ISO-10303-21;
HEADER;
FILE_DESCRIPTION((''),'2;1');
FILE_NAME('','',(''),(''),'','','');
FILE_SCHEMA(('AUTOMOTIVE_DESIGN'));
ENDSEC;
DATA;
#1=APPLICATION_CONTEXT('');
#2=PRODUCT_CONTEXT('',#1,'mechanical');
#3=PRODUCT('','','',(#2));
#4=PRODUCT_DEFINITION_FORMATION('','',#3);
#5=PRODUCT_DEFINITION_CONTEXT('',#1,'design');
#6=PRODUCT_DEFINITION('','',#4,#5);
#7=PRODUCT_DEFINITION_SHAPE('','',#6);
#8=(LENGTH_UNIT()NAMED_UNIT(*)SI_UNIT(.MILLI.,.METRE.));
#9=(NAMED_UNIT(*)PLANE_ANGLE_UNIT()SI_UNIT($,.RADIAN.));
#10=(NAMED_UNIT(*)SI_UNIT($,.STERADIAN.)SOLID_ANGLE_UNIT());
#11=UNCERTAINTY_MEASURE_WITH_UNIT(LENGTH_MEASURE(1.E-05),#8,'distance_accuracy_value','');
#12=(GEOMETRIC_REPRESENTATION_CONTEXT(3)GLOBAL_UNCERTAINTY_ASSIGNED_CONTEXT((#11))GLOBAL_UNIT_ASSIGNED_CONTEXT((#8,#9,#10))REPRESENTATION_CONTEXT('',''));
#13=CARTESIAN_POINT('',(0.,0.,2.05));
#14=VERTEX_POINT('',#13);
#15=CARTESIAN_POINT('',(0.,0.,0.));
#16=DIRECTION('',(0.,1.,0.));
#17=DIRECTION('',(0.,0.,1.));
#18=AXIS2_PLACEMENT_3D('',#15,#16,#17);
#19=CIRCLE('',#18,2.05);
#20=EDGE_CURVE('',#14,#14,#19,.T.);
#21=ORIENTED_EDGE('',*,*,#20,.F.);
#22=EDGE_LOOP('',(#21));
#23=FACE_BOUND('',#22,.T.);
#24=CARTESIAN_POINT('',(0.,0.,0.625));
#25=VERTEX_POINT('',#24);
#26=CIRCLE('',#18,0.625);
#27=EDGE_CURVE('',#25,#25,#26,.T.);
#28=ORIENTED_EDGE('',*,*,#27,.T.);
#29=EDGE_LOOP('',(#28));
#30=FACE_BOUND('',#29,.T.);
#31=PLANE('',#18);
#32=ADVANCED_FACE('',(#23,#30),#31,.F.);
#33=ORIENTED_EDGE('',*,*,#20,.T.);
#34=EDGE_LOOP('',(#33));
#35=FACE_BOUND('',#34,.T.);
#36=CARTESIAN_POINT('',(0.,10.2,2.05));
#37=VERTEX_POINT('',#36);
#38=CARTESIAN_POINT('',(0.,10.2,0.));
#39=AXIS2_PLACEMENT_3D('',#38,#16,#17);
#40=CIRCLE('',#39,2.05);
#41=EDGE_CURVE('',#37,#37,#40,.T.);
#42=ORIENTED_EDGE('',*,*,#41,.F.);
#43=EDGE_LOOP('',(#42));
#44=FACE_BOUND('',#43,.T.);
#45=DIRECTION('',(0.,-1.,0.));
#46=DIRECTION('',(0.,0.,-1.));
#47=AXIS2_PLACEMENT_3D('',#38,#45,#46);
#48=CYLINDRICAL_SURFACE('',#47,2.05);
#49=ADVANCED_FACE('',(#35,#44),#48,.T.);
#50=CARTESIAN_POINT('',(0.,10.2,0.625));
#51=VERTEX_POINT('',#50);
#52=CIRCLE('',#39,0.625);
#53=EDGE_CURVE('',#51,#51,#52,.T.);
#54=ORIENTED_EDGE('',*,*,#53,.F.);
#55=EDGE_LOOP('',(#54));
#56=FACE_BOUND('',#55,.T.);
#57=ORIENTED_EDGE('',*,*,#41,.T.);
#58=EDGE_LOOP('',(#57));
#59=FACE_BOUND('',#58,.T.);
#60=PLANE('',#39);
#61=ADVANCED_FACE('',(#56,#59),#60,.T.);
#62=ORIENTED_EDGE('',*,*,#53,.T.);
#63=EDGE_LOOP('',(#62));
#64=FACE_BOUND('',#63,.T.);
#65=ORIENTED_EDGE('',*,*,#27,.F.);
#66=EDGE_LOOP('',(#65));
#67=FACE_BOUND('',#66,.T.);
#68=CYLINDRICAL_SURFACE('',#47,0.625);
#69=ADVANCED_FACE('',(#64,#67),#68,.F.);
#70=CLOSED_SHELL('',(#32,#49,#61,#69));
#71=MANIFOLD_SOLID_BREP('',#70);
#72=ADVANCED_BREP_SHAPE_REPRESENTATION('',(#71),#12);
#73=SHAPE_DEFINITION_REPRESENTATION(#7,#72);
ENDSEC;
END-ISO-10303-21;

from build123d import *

# Parameters (mm, degrees)
SKETCH1_R           = 2.05
SKETCH1_R_2         = 0.625
BOSS_EXTRUDE1_DEPTH = 10.2


with BuildPart() as part:
    # Sketch1 → Boss-Extrude1 (new body)
    with BuildSketch(Plane(origin=(0, 0, 0), x_dir=(1, 0, 0), z_dir=(0, 1, 0))):
        with Locations(Location((0, 0, 0), (0, 0, 270))):
            Circle(SKETCH1_R)
        with Locations(Location((0, 0, 0), (0, 0, 270))):
            Circle(SKETCH1_R_2, mode=Mode.SUBTRACT)
    extrude(amount=BOSS_EXTRUDE1_DEPTH)


solid = part.part
